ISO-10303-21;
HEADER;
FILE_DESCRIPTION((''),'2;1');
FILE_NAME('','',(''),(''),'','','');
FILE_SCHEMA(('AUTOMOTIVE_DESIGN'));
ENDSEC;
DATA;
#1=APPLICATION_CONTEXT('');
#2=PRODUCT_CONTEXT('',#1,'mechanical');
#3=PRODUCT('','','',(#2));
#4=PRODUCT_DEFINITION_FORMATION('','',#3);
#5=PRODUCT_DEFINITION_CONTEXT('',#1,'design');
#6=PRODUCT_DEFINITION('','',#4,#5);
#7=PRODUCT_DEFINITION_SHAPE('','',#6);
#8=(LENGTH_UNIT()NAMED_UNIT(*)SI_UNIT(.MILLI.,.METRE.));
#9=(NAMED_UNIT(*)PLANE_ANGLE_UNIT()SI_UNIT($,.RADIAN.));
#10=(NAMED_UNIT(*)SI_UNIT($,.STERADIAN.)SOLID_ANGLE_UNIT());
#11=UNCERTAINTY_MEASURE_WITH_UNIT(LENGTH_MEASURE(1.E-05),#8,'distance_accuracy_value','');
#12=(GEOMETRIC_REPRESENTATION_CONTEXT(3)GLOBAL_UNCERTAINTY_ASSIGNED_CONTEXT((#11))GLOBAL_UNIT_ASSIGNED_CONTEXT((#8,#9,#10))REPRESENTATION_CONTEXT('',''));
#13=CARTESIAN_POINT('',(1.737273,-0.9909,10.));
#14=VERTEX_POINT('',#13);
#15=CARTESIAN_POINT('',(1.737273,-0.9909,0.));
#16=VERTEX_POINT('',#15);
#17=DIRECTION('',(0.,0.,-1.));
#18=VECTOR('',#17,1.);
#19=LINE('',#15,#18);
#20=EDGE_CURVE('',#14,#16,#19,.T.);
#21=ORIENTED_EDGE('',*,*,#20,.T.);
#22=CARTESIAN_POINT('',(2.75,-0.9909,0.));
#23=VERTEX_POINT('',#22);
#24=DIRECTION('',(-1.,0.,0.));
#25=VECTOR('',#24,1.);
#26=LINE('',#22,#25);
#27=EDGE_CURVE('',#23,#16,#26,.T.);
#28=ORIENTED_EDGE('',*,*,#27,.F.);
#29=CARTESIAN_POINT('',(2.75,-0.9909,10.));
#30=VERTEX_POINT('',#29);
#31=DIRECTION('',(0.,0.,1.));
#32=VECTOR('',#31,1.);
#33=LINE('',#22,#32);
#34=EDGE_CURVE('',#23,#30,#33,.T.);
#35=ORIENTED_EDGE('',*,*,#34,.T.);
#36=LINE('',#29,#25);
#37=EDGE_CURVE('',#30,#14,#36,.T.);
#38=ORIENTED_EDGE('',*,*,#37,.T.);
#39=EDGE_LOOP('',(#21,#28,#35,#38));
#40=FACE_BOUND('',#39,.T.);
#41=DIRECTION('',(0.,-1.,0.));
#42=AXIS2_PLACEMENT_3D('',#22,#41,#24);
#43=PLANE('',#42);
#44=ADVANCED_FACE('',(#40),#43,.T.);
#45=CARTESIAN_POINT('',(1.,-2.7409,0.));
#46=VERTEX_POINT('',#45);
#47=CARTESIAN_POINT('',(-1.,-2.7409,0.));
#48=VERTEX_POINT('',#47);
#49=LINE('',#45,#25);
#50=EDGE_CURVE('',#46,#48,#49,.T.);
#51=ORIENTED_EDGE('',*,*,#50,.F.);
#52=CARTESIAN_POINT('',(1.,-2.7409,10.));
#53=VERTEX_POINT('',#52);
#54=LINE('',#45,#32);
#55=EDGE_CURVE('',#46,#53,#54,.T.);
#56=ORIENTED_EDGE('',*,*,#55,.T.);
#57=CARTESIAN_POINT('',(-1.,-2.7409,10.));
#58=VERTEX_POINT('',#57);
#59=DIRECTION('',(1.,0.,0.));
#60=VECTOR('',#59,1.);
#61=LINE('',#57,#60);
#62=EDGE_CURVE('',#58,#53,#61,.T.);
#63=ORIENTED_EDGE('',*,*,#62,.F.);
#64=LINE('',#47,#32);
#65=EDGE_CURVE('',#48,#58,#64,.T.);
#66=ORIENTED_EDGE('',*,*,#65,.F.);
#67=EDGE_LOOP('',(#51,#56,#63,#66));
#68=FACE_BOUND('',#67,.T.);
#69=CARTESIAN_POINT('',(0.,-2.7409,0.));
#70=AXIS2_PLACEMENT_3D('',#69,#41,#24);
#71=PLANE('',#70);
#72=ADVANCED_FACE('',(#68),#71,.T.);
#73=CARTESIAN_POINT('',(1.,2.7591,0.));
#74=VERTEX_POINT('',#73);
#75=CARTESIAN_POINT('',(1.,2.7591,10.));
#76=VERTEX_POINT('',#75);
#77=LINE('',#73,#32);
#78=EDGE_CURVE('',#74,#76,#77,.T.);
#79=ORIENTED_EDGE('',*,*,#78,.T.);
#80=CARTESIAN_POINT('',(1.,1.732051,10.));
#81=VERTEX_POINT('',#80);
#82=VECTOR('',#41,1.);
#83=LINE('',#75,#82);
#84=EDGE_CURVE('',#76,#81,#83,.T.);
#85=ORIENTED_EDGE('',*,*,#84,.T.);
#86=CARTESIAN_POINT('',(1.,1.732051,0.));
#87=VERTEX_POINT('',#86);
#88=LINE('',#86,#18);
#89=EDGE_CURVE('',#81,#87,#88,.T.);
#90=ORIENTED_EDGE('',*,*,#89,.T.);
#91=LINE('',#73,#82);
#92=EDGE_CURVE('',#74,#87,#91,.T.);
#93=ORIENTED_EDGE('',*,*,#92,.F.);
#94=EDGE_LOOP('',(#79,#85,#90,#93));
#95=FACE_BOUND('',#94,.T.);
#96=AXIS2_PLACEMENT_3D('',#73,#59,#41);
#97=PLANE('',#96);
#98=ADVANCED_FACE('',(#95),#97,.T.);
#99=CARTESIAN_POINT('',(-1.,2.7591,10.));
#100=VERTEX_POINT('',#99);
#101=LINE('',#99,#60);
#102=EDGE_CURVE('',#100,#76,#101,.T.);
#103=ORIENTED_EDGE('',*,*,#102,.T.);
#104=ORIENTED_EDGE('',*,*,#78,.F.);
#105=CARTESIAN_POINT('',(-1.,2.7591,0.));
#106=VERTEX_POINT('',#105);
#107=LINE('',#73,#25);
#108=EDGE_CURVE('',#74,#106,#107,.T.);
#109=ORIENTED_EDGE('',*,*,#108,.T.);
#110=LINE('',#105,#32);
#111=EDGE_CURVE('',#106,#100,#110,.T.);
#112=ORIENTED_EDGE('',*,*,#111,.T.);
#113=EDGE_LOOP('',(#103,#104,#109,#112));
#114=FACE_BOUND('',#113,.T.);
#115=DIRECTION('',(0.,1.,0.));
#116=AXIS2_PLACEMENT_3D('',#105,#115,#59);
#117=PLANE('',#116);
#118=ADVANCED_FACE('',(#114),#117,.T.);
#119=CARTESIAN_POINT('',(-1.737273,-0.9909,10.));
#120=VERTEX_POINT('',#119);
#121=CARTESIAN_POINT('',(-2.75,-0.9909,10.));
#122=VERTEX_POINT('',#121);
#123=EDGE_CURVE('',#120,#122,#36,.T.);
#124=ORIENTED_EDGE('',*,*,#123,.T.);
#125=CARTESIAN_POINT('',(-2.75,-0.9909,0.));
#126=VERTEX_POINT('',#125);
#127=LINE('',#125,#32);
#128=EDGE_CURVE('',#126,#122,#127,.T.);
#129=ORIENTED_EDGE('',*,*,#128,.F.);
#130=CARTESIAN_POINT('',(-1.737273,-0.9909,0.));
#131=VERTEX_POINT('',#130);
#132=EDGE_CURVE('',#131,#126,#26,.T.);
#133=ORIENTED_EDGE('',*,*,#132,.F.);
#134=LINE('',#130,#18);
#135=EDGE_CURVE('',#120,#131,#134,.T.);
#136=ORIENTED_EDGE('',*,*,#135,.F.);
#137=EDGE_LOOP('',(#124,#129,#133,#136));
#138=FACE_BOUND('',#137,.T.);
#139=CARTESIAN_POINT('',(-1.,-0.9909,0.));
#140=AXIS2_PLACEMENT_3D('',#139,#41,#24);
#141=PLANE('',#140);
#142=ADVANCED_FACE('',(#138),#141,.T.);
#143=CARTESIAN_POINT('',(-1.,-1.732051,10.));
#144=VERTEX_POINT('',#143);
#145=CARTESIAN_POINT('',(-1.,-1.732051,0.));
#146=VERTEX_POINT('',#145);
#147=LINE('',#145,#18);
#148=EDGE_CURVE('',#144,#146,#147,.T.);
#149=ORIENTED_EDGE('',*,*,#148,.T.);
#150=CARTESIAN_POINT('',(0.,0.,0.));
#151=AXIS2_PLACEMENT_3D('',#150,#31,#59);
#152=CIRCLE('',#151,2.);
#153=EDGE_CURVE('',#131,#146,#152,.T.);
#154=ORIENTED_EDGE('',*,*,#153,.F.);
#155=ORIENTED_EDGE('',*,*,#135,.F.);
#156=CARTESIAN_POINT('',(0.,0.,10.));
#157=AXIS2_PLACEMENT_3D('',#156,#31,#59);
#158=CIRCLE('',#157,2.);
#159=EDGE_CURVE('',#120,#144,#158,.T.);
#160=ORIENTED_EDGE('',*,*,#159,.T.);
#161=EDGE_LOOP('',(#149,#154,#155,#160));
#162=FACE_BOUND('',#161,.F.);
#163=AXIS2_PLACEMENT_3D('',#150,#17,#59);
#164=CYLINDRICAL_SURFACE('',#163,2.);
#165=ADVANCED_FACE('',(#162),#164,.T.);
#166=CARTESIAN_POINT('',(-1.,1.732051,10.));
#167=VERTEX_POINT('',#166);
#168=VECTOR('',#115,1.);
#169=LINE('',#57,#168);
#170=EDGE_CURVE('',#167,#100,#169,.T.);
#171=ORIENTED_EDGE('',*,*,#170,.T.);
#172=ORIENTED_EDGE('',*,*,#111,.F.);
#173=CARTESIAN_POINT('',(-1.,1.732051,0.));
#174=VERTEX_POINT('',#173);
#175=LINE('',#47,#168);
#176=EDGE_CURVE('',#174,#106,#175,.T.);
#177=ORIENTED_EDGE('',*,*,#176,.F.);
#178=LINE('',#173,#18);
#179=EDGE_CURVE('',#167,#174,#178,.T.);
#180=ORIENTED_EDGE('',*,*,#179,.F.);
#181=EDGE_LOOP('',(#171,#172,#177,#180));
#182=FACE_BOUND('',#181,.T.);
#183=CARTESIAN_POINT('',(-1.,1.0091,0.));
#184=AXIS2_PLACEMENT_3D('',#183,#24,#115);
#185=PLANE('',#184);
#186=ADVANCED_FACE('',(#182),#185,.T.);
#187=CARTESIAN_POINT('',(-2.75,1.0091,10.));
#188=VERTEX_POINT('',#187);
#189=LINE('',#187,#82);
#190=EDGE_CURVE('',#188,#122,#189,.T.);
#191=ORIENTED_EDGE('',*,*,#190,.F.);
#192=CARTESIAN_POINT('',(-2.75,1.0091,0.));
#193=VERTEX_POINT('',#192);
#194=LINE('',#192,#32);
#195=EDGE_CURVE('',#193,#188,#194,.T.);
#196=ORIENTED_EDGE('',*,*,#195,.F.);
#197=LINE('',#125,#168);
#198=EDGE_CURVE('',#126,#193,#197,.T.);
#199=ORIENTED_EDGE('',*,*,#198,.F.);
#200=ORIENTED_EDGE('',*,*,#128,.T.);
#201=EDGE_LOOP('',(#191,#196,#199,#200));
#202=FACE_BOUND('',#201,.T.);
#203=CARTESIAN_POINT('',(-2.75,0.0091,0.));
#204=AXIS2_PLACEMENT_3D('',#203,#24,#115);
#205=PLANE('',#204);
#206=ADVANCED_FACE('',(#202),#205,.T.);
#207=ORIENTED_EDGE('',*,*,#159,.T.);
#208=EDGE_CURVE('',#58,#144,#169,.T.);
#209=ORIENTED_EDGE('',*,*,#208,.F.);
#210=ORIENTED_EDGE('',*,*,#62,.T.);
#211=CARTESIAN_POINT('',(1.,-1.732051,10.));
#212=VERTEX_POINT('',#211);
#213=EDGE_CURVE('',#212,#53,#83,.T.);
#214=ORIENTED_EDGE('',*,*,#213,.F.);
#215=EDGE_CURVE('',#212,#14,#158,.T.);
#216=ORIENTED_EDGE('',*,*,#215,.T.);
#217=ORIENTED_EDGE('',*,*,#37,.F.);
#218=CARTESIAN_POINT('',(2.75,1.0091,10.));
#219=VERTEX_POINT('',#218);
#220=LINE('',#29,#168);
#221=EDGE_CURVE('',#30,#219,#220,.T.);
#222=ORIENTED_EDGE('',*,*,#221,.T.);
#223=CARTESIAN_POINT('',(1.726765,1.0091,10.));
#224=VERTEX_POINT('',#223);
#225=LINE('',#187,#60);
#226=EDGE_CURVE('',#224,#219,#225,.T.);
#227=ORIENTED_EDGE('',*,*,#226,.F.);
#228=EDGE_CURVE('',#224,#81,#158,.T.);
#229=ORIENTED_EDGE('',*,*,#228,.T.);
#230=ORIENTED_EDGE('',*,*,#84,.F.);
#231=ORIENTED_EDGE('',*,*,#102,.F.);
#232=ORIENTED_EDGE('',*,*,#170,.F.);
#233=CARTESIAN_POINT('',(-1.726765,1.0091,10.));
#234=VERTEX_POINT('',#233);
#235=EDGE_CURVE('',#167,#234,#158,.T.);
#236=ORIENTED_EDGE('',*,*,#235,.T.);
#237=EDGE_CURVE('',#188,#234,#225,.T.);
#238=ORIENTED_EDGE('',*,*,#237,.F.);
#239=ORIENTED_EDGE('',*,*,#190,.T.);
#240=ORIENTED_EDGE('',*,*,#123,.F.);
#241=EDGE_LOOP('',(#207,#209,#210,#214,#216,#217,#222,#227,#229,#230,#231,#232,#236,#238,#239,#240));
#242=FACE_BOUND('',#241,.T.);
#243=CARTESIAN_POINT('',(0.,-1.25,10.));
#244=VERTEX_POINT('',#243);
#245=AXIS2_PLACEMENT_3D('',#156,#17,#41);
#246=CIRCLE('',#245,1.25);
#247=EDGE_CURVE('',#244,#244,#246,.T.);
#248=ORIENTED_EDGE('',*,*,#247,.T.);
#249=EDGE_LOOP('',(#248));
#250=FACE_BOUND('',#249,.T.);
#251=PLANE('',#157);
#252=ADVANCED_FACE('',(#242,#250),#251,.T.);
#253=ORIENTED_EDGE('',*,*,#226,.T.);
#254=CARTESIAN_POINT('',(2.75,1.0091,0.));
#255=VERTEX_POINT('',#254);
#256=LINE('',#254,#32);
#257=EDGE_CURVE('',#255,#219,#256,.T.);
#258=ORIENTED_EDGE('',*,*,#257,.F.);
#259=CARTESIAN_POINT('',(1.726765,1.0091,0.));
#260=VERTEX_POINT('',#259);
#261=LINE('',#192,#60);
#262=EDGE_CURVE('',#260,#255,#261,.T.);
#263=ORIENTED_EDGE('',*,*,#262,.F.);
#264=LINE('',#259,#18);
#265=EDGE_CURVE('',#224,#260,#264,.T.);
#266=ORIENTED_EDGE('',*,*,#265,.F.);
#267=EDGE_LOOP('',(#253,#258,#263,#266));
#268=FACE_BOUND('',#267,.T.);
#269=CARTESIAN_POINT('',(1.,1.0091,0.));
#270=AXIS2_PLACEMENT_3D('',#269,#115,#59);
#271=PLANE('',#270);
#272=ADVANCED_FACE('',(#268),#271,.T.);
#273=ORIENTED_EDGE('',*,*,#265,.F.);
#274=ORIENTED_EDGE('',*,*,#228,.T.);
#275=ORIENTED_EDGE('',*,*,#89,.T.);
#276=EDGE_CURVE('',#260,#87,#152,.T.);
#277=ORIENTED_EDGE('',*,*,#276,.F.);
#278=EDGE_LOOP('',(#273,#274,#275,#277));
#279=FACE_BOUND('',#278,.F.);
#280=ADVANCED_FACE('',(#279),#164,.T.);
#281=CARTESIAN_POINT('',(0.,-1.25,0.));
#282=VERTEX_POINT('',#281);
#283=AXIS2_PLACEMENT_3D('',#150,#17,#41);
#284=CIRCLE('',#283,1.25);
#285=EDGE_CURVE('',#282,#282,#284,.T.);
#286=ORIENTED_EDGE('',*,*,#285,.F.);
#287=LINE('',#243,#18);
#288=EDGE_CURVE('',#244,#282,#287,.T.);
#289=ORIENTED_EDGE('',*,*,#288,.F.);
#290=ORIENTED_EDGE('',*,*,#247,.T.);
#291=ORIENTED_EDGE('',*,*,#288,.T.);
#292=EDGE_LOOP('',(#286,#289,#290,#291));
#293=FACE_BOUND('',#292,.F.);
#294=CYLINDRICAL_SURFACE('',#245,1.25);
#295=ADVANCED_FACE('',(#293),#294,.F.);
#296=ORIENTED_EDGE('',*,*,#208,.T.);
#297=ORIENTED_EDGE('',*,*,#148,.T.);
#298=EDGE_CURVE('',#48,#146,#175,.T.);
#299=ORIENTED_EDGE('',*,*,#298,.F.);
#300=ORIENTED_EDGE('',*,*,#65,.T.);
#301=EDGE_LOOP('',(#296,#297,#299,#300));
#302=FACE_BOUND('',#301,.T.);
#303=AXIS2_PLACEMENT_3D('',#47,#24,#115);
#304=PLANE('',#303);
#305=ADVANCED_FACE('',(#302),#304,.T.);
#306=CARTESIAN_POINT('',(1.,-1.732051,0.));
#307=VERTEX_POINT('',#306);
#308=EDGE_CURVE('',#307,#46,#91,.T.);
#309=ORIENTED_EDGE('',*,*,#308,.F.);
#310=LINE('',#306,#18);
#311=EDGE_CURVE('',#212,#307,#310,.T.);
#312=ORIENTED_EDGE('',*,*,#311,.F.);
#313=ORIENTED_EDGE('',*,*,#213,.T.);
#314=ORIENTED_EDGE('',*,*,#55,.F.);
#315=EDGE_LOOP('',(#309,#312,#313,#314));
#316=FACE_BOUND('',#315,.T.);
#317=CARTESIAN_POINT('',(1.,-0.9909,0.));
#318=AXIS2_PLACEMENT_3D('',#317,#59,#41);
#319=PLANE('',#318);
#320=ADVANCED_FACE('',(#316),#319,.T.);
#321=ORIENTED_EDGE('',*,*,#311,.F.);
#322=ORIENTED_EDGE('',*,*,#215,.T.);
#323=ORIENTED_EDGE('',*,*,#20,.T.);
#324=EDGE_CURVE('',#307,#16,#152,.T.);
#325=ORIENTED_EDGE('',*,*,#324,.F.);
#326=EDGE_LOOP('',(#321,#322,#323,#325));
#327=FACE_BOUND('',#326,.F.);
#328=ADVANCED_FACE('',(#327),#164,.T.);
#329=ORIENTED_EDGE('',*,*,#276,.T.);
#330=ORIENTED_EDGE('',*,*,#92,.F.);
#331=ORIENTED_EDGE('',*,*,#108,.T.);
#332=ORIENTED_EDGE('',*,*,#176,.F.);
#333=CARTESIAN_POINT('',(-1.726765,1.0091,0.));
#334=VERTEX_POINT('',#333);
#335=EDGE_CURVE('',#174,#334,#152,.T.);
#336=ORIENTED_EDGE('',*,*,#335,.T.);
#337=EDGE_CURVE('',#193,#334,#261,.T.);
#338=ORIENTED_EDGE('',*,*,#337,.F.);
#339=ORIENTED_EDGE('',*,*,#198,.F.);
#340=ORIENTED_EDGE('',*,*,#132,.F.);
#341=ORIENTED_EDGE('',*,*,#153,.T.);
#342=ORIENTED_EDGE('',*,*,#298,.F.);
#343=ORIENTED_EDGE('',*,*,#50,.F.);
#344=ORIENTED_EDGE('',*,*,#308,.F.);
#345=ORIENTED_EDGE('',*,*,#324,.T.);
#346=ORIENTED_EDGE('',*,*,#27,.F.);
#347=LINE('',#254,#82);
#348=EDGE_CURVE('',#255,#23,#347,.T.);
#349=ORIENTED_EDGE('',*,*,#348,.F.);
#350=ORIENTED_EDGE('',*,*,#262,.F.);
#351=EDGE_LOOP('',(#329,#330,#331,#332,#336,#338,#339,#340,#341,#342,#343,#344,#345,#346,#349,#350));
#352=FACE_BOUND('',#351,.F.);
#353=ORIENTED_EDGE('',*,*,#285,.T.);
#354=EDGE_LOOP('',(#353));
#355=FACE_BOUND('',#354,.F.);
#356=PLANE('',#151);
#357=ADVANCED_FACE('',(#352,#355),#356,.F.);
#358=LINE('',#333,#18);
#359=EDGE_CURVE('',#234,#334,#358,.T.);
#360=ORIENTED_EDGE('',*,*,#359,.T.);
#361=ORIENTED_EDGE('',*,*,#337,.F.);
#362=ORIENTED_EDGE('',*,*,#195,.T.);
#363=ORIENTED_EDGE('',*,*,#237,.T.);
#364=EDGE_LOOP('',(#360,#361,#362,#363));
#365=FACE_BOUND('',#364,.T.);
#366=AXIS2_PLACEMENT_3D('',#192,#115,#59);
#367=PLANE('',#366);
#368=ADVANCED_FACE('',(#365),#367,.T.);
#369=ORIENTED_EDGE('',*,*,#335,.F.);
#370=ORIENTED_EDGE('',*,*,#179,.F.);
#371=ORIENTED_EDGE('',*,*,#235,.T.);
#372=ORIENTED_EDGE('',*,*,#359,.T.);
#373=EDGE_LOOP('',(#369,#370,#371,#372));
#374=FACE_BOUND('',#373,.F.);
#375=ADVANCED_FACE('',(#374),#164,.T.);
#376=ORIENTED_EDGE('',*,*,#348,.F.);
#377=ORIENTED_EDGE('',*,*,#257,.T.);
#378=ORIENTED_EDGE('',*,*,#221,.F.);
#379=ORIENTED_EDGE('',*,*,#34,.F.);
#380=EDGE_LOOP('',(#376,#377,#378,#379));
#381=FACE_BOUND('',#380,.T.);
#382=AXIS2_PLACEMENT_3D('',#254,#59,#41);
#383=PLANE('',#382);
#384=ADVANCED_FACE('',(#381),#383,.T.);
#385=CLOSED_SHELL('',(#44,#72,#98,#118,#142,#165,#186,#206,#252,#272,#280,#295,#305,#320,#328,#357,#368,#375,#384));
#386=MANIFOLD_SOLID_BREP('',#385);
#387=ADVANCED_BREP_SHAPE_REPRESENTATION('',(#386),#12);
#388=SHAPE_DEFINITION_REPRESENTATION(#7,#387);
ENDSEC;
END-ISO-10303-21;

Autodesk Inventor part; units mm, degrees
ref_plane "YZ Plane" through (0, 0, 0) normal (1, 0, 0) x (0, 1, 0)
ref_plane "XZ Plane" through (0, 0, 0) normal (0, 1, 0) x (-1, 0, 0)
sketch "Boceto3" plane through (0, 0, 0) normal (0, 0, 1) x (1, 0, 0)
  circle A0 centre (0, 0) radius 2
  dimension "d13" = 4
sketch "Boceto1" plane through (0, 0, 0) normal (0, 0, 1) x (1, 0, 0)
  line L0 (-1, 2.7591) -> (1, 2.7591)
  line L1 (1, 2.7591) -> (1, -2.7409)
  line L2 (1, -2.7409) -> (-1, -2.7409)
  line L3 (-1, -2.7409) -> (-1, 2.7591)
  line L4 (0, 5.941) -> (0, -7.9228)
  line L5 (-6.4273, 0.0091) -> (13.1091, 0.0091)
  line L6 (-2.75, 1.0091) -> (2.75, 1.0091)
  line L7 (2.75, 1.0091) -> (2.75, -0.9909)
  line L8 (2.75, -0.9909) -> (-2.75, -0.9909)
  line L9 (-2.75, -0.9909) -> (-2.75, 1.0091)
  point P0 (0, 0)
  point P1 (0, 2.7591)
  point P2 (1, 0.0091)
  point P3 (-2.75, 0.0091)
  point P4 (0, -0.9909)
  dimension "d0" = 2
  dimension "d1" = 5.5
  dimension "d2" = 5.5
  dimension "d3" = 2
ref_plane "Plano de trabajo1" through (0, 0, 11) normal (0, 0, 1) x (1, 0, 0)
extrude "Extrusión2" add sketch "Boceto1" along normal blind 10
extrude "Extrusión3" add sketch "Boceto3" along normal blind 10
sketch "Boceto2" plane through (0, 0, 10) normal (0, 0, 1) x (1, 0, 0)
  point P0 (0, 0)
  point P1 (0, 0)
hole "Agujero1" at (0, 0, 10) direction (0, 0, -1) diameter 2.5 end through all
properties part number "motor_axis_cross_2.5" material "Plástico ABS"
